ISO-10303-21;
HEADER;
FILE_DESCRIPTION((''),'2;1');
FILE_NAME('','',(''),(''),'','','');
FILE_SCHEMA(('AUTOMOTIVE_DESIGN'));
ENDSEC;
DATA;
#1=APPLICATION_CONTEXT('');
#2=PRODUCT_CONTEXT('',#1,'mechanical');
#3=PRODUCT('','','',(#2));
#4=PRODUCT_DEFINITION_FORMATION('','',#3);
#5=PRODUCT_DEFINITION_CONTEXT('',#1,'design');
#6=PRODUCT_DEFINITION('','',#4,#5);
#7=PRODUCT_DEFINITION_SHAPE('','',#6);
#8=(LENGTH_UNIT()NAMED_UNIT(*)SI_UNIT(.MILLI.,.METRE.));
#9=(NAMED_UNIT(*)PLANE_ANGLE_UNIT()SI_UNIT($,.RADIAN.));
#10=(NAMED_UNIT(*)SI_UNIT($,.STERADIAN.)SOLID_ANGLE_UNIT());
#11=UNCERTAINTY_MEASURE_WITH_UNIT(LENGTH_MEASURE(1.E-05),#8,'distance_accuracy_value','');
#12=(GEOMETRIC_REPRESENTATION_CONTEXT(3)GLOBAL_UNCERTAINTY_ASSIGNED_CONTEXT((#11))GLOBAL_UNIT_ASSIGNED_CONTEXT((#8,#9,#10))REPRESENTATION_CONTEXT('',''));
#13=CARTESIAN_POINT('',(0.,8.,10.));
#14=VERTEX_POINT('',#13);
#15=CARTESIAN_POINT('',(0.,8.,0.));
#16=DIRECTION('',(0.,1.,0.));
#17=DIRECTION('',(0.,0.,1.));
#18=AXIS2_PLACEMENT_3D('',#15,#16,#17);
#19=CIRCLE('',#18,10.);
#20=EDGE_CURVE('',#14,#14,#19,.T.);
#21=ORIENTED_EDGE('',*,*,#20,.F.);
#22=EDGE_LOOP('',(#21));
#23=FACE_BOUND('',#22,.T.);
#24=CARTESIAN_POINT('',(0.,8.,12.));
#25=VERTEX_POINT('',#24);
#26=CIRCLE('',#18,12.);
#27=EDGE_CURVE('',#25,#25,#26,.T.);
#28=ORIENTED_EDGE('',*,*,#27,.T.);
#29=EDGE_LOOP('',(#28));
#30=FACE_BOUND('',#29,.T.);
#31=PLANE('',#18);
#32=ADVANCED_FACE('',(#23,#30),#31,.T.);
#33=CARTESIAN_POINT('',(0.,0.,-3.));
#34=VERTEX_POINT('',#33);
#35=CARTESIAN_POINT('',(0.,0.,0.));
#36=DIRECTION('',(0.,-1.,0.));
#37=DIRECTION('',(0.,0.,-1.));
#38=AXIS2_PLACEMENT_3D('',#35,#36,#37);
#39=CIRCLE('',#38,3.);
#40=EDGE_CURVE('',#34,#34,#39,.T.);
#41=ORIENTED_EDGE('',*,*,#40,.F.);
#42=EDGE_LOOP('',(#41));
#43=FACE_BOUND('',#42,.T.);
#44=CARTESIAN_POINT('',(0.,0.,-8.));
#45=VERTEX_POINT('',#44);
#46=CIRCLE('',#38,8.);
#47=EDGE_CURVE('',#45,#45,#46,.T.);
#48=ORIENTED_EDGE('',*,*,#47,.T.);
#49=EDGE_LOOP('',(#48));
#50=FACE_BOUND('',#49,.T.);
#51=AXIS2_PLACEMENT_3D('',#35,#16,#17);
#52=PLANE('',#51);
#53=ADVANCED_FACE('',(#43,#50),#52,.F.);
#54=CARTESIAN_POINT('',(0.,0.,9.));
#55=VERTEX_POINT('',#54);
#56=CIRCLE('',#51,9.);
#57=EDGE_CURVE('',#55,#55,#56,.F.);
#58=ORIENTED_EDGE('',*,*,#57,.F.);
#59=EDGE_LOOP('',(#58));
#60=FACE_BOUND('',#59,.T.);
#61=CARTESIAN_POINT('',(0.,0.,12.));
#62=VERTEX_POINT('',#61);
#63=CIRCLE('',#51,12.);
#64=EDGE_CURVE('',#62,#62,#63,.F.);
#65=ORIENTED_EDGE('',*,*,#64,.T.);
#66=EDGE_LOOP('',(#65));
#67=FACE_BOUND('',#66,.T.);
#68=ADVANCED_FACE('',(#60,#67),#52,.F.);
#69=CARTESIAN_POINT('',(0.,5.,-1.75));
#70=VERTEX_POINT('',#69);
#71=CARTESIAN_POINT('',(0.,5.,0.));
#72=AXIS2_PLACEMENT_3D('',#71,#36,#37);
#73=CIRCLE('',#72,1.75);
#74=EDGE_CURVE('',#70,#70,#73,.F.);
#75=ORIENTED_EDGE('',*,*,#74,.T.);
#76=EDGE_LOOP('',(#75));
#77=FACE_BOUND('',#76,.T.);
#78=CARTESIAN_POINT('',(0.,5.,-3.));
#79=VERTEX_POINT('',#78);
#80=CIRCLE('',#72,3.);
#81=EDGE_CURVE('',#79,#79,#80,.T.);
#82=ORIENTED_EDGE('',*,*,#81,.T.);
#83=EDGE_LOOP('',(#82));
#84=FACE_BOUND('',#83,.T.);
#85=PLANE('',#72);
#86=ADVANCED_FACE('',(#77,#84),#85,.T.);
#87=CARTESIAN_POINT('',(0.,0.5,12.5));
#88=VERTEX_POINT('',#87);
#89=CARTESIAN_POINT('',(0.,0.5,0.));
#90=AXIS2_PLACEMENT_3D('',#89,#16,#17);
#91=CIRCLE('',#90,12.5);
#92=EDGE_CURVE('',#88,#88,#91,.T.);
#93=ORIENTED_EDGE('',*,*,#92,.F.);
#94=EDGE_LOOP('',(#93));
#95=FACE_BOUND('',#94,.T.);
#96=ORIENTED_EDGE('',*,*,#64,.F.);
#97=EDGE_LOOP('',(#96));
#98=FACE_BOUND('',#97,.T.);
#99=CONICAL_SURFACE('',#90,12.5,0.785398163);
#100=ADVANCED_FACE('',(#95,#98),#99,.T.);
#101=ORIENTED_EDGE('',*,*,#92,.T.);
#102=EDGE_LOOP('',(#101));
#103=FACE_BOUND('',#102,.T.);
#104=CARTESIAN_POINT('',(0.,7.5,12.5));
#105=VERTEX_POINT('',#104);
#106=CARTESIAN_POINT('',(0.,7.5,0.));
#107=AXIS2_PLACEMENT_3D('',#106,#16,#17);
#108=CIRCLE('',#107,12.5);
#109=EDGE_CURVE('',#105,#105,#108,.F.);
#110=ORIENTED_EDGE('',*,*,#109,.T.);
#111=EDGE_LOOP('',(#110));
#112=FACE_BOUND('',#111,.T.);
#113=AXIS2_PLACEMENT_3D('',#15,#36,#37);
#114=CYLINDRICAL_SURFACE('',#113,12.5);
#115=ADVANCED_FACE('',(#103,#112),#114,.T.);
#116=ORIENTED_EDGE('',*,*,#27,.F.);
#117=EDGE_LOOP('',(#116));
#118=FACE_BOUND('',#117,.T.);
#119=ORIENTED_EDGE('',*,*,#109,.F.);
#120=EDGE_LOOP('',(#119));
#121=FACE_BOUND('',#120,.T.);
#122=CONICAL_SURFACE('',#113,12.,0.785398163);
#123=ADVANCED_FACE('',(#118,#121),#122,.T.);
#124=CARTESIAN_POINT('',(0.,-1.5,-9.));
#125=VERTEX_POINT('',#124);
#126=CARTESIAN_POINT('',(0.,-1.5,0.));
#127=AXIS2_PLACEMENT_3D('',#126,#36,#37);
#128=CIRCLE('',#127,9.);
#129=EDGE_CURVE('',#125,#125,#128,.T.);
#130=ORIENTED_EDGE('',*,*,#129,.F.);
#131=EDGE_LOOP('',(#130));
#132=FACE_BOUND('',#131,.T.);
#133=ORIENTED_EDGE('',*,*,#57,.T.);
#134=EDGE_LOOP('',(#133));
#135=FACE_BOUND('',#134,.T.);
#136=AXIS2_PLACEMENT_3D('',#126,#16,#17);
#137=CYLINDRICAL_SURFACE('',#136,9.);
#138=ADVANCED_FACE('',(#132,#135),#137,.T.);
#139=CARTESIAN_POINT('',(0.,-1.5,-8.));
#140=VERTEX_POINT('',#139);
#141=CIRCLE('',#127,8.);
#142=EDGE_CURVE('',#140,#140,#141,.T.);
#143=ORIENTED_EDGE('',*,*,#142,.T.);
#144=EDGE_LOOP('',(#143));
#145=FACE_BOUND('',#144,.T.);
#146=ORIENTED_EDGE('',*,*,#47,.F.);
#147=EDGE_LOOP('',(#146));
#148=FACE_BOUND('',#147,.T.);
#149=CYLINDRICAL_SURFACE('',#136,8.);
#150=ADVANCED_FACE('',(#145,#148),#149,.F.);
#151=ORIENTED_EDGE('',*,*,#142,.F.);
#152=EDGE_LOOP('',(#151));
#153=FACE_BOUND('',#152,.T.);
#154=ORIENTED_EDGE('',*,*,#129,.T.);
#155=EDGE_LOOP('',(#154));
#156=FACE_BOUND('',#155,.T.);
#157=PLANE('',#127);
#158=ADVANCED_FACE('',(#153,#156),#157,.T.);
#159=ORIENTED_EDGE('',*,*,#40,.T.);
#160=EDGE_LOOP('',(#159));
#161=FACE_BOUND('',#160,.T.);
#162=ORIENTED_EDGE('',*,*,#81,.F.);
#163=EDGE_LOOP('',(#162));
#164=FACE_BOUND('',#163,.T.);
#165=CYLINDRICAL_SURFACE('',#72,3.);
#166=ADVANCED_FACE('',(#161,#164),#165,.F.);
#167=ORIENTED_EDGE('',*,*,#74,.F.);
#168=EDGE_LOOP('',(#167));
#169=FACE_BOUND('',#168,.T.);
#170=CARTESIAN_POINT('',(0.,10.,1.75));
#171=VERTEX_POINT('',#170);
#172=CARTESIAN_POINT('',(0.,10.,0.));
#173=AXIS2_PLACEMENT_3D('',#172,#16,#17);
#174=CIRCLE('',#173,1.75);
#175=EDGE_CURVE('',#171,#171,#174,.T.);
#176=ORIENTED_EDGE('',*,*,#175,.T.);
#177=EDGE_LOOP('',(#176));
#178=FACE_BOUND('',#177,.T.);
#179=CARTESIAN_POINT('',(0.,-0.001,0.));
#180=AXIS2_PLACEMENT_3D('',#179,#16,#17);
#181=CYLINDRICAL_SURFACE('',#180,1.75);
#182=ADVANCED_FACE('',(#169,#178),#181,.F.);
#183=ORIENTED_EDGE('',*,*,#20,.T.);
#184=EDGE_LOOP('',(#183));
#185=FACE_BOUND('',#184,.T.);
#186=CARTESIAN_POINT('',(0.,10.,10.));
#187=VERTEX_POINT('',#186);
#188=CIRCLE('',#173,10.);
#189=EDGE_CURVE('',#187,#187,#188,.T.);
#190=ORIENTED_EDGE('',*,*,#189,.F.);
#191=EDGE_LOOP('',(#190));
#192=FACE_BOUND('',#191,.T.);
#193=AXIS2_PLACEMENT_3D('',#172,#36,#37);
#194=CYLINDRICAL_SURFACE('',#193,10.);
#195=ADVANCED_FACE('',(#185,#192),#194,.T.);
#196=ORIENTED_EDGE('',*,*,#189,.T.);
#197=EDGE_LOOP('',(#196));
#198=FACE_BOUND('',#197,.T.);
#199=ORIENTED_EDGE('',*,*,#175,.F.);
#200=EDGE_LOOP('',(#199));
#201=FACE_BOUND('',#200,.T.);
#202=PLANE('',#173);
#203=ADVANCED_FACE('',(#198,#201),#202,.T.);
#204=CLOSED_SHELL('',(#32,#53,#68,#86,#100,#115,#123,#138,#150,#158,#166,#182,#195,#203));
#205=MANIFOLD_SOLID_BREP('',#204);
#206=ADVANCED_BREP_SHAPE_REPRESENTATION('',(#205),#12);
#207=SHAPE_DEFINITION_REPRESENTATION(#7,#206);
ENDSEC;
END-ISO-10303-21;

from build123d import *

# Parameters (mm, degrees)
SKETCH1_R           = 12.5
BOSS_EXTRUDE1_DEPTH = 8
SKETCH2_R           = 10
BOSS_EXTRUDE2_DEPTH = 2
CUT_EXTRUDE1_REACH  = 22.31
SKETCH3_R           = 1.75
SKETCH4_R           = 3
CUT_EXTRUDE2_DEPTH  = 5
SKETCH5_R           = 9
SKETCH5_R_2         = 8
BOSS_EXTRUDE3_DEPTH = 1.5
CHAMFER1_SIZE       = 0.5


with BuildPart() as part:
    # Sketch1 → Boss-Extrude1 (new body)
    with BuildSketch(Plane(origin=(0, 0, 0), x_dir=(1, 0, 0), z_dir=(0, 1, 0))):
        with Locations(Location((0, 0, 0), (0, 0, 270))):
            Circle(SKETCH1_R)
    extrude(amount=BOSS_EXTRUDE1_DEPTH)

    # Sketch2 → Boss-Extrude2 (add)
    with BuildSketch(Plane(origin=(0, 8, 0), x_dir=(1, 0, 0), z_dir=(0, 1, 0))):
        with Locations(Location((0, 0, 0), (0, 0, 270))):
            Circle(SKETCH2_R)
    extrude(amount=BOSS_EXTRUDE2_DEPTH)

    # Sketch3 → Cut-Extrude1 (cut, up to next)
    with BuildSketch(Plane(origin=(0, 10, 0), x_dir=(1, 0, 0), z_dir=(0, 1, 0)), mode=Mode.PRIVATE) as cut_extrude1_sk1:
        with Locations(Location((0, 0, 0), (0, 0, 270))):
            Circle(SKETCH3_R)
    cut_extrude1_tool1 = extrude(cut_extrude1_sk1.sketch, amount=-CUT_EXTRUDE1_REACH, mode=Mode.PRIVATE) & part.part
    add(cut_extrude1_tool1.solids().sort_by_distance((0, 10, 0))[0], mode=Mode.SUBTRACT)

    # Sketch4 → Cut-Extrude2 (cut)
    with BuildSketch(Plane.XZ):
        with Locations(Location((0, 0, 0), (0, 0, 270))):
            Circle(SKETCH4_R)
    extrude(amount=-CUT_EXTRUDE2_DEPTH, mode=Mode.SUBTRACT)

    # Sketch5 → Boss-Extrude3 (add)
    with BuildSketch(Plane.XZ):
        with Locations(Location((0, 0, 0), (0, 0, 90))):
            Circle(SKETCH5_R)
        with Locations(Location((0, 0, 0), (0, 0, 270))):
            Circle(SKETCH5_R_2, mode=Mode.SUBTRACT)
    extrude(amount=BOSS_EXTRUDE3_DEPTH)

    # Chamfer1
    chamfer1_edges = [part.edges().sort_by_distance(p)[0] for p in [
        (0, 0, -12.5),
        (0, 8, -12.5),
    ]]
    chamfer(chamfer1_edges, length=CHAMFER1_SIZE)


solid = part.part
